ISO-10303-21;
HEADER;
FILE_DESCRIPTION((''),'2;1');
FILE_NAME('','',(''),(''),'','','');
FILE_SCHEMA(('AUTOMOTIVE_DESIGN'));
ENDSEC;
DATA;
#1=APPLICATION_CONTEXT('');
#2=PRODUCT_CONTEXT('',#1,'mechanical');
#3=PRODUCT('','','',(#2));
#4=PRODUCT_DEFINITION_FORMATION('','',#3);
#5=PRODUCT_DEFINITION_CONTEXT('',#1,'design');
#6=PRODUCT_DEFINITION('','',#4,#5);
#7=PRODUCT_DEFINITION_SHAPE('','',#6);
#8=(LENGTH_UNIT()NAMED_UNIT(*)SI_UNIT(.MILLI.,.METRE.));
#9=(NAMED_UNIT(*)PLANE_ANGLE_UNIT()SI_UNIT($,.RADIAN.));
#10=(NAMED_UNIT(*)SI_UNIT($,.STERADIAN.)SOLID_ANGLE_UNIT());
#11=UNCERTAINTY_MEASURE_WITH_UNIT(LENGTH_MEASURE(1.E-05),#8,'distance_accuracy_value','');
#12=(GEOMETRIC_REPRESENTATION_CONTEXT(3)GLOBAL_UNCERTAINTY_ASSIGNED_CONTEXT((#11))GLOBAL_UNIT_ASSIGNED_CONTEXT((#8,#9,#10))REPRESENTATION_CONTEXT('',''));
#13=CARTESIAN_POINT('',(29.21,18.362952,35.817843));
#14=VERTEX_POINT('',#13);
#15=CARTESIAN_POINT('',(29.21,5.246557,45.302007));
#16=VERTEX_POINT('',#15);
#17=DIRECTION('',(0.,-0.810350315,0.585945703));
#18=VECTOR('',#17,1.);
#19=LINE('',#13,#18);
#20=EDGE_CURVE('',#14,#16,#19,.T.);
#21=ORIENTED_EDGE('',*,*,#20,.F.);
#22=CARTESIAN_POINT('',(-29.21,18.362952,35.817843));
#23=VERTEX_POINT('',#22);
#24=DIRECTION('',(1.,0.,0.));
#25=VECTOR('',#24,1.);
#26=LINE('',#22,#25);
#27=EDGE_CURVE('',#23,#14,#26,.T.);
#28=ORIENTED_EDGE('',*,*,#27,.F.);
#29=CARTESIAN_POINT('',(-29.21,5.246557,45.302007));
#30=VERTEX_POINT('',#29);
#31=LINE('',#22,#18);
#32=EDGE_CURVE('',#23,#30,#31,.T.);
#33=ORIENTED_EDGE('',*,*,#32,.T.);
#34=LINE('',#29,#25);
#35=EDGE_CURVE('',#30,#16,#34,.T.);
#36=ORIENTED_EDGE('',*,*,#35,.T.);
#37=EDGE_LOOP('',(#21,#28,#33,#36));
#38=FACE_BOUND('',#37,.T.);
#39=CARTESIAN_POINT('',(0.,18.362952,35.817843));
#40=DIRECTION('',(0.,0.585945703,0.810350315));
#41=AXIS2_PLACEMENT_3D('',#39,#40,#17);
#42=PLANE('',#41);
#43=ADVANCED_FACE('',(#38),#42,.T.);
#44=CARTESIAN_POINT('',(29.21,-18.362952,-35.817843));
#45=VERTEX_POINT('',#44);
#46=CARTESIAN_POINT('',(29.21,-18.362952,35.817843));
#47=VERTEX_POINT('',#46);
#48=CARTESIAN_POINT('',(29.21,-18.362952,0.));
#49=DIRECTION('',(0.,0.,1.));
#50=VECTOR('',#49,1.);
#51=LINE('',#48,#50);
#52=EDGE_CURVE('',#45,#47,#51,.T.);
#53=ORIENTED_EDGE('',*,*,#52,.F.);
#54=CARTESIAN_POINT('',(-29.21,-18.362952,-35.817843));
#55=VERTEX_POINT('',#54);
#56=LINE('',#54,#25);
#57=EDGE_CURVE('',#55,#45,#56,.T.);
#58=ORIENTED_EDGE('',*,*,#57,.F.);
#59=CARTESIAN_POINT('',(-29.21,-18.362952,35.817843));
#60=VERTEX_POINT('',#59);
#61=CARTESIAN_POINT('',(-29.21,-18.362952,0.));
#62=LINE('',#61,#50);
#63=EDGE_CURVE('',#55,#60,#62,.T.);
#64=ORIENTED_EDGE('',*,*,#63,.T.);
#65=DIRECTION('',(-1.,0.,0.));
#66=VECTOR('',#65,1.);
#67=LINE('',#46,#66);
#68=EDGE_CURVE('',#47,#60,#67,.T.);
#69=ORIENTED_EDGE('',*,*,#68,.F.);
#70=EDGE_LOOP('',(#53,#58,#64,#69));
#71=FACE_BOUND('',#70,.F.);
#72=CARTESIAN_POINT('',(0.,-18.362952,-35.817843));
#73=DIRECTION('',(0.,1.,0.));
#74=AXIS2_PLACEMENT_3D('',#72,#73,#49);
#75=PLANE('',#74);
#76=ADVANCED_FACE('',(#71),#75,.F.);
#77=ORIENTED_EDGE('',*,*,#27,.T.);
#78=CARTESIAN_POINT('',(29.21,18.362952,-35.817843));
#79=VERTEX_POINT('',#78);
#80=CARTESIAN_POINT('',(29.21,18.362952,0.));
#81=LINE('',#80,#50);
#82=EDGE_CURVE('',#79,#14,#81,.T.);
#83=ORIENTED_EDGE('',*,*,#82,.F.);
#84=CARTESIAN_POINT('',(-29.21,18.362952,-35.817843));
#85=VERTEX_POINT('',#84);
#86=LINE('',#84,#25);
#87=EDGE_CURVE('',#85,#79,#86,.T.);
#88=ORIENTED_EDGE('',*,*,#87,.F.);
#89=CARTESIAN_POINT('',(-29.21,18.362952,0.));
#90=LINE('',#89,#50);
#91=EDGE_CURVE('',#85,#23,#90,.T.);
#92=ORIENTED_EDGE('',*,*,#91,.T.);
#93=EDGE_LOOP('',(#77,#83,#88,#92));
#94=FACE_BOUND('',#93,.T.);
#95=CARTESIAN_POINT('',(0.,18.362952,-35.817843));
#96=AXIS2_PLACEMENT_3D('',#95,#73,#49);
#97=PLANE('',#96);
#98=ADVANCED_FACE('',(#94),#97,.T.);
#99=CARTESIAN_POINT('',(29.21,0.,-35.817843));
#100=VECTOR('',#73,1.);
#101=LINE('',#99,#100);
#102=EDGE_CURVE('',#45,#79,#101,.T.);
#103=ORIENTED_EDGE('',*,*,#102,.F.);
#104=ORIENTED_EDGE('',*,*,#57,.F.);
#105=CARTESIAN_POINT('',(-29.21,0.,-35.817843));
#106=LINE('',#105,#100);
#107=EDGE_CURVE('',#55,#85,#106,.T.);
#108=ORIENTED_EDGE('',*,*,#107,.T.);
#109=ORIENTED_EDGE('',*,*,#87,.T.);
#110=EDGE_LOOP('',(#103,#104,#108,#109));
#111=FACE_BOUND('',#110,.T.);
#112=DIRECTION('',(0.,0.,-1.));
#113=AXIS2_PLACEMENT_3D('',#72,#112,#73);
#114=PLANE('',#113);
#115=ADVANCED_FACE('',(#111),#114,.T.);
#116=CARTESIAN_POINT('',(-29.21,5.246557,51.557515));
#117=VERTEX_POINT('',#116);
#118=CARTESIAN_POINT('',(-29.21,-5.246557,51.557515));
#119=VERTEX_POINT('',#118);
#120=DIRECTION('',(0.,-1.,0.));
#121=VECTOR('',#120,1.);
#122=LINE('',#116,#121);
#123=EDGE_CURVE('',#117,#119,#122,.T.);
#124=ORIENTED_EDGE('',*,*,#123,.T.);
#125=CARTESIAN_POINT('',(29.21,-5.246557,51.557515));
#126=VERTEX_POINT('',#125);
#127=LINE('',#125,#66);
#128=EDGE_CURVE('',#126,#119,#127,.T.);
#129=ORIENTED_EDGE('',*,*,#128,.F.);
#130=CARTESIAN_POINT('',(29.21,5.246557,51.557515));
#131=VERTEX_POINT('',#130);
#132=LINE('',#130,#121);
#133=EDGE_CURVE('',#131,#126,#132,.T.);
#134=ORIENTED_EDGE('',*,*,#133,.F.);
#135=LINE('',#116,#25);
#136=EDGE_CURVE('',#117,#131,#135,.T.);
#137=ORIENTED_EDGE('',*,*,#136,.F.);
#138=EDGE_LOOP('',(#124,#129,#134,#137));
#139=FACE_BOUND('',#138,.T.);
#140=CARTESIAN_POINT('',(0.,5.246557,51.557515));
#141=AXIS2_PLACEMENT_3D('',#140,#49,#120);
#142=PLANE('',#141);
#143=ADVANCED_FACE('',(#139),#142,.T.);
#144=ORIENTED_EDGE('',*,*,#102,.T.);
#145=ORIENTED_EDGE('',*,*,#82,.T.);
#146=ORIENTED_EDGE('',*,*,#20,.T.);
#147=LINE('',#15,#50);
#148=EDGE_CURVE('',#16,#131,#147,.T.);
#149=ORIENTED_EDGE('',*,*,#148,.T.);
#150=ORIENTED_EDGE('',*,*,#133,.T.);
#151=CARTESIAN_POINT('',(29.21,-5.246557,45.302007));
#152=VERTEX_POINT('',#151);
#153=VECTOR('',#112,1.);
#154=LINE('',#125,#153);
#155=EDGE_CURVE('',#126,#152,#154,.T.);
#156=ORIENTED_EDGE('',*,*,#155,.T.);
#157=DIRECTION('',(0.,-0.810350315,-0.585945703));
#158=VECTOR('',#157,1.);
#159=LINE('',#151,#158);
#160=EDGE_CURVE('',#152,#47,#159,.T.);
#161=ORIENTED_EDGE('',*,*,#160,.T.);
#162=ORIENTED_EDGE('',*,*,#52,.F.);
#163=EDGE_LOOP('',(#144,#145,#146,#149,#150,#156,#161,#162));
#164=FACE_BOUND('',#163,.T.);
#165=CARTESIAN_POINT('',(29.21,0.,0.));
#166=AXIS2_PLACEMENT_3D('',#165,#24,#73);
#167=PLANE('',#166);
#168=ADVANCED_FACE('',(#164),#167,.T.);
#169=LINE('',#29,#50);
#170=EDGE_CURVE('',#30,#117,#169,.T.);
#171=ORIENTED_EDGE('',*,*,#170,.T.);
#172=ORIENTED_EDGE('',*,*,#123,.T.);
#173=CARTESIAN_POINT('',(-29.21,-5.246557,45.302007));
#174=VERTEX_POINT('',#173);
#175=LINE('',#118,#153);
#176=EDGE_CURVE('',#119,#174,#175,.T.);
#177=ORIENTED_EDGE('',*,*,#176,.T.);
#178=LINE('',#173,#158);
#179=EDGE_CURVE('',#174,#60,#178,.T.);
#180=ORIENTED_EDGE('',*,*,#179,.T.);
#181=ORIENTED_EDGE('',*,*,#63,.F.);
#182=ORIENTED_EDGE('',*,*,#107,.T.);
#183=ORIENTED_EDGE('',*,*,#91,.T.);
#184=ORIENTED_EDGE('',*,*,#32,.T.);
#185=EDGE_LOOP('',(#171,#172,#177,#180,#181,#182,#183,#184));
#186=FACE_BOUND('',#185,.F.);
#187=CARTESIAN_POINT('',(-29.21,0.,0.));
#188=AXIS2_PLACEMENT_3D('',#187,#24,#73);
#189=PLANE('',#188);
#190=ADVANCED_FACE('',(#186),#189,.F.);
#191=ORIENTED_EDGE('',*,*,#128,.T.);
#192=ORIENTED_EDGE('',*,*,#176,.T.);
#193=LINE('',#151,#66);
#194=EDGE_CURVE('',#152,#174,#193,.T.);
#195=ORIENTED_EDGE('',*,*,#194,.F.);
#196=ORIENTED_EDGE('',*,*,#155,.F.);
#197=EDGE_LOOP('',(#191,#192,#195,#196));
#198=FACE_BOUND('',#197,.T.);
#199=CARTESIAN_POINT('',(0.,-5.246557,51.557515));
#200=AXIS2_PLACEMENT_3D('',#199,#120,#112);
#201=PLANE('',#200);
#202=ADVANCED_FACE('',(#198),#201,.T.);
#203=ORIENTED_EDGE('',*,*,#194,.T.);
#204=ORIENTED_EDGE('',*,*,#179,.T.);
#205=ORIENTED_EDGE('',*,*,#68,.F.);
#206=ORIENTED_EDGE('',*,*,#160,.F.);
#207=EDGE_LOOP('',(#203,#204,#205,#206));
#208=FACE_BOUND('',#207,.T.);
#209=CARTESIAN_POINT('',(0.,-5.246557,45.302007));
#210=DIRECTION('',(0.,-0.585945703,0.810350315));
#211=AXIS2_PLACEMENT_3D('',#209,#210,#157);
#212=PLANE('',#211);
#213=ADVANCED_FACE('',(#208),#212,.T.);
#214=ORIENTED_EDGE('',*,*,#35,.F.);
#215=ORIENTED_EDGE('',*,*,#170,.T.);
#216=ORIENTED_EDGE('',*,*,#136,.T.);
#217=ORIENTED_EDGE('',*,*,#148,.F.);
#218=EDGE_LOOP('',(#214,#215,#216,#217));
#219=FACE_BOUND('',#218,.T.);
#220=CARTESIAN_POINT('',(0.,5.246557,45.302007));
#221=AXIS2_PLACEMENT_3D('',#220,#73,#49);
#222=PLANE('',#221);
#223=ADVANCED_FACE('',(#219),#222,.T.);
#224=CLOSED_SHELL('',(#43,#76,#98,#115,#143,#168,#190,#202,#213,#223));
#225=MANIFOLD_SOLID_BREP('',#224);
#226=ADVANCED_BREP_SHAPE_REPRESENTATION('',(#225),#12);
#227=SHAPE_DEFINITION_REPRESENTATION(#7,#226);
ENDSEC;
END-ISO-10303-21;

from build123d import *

# Parameters (mm, degrees)
F0_W     = 36.725904
F0_H     = 71.635686
F1_DEPTH = 29.21


with BuildPart() as f1:
    # F0 (on Right) → F1 (new body, symmetric)
    with BuildSketch(Plane.YZ):
        Rectangle(F0_W, F0_H)
        Polygon((-18.362952, 35.817843), (18.362952, 35.817843), (5.246557, 45.302007), (5.246557, 51.557515), (0, 51.557515), (-5.246557, 51.557515), (-5.246557, 45.302007), align=None)
    extrude(amount=F1_DEPTH, both=True)


solid = f1.part
